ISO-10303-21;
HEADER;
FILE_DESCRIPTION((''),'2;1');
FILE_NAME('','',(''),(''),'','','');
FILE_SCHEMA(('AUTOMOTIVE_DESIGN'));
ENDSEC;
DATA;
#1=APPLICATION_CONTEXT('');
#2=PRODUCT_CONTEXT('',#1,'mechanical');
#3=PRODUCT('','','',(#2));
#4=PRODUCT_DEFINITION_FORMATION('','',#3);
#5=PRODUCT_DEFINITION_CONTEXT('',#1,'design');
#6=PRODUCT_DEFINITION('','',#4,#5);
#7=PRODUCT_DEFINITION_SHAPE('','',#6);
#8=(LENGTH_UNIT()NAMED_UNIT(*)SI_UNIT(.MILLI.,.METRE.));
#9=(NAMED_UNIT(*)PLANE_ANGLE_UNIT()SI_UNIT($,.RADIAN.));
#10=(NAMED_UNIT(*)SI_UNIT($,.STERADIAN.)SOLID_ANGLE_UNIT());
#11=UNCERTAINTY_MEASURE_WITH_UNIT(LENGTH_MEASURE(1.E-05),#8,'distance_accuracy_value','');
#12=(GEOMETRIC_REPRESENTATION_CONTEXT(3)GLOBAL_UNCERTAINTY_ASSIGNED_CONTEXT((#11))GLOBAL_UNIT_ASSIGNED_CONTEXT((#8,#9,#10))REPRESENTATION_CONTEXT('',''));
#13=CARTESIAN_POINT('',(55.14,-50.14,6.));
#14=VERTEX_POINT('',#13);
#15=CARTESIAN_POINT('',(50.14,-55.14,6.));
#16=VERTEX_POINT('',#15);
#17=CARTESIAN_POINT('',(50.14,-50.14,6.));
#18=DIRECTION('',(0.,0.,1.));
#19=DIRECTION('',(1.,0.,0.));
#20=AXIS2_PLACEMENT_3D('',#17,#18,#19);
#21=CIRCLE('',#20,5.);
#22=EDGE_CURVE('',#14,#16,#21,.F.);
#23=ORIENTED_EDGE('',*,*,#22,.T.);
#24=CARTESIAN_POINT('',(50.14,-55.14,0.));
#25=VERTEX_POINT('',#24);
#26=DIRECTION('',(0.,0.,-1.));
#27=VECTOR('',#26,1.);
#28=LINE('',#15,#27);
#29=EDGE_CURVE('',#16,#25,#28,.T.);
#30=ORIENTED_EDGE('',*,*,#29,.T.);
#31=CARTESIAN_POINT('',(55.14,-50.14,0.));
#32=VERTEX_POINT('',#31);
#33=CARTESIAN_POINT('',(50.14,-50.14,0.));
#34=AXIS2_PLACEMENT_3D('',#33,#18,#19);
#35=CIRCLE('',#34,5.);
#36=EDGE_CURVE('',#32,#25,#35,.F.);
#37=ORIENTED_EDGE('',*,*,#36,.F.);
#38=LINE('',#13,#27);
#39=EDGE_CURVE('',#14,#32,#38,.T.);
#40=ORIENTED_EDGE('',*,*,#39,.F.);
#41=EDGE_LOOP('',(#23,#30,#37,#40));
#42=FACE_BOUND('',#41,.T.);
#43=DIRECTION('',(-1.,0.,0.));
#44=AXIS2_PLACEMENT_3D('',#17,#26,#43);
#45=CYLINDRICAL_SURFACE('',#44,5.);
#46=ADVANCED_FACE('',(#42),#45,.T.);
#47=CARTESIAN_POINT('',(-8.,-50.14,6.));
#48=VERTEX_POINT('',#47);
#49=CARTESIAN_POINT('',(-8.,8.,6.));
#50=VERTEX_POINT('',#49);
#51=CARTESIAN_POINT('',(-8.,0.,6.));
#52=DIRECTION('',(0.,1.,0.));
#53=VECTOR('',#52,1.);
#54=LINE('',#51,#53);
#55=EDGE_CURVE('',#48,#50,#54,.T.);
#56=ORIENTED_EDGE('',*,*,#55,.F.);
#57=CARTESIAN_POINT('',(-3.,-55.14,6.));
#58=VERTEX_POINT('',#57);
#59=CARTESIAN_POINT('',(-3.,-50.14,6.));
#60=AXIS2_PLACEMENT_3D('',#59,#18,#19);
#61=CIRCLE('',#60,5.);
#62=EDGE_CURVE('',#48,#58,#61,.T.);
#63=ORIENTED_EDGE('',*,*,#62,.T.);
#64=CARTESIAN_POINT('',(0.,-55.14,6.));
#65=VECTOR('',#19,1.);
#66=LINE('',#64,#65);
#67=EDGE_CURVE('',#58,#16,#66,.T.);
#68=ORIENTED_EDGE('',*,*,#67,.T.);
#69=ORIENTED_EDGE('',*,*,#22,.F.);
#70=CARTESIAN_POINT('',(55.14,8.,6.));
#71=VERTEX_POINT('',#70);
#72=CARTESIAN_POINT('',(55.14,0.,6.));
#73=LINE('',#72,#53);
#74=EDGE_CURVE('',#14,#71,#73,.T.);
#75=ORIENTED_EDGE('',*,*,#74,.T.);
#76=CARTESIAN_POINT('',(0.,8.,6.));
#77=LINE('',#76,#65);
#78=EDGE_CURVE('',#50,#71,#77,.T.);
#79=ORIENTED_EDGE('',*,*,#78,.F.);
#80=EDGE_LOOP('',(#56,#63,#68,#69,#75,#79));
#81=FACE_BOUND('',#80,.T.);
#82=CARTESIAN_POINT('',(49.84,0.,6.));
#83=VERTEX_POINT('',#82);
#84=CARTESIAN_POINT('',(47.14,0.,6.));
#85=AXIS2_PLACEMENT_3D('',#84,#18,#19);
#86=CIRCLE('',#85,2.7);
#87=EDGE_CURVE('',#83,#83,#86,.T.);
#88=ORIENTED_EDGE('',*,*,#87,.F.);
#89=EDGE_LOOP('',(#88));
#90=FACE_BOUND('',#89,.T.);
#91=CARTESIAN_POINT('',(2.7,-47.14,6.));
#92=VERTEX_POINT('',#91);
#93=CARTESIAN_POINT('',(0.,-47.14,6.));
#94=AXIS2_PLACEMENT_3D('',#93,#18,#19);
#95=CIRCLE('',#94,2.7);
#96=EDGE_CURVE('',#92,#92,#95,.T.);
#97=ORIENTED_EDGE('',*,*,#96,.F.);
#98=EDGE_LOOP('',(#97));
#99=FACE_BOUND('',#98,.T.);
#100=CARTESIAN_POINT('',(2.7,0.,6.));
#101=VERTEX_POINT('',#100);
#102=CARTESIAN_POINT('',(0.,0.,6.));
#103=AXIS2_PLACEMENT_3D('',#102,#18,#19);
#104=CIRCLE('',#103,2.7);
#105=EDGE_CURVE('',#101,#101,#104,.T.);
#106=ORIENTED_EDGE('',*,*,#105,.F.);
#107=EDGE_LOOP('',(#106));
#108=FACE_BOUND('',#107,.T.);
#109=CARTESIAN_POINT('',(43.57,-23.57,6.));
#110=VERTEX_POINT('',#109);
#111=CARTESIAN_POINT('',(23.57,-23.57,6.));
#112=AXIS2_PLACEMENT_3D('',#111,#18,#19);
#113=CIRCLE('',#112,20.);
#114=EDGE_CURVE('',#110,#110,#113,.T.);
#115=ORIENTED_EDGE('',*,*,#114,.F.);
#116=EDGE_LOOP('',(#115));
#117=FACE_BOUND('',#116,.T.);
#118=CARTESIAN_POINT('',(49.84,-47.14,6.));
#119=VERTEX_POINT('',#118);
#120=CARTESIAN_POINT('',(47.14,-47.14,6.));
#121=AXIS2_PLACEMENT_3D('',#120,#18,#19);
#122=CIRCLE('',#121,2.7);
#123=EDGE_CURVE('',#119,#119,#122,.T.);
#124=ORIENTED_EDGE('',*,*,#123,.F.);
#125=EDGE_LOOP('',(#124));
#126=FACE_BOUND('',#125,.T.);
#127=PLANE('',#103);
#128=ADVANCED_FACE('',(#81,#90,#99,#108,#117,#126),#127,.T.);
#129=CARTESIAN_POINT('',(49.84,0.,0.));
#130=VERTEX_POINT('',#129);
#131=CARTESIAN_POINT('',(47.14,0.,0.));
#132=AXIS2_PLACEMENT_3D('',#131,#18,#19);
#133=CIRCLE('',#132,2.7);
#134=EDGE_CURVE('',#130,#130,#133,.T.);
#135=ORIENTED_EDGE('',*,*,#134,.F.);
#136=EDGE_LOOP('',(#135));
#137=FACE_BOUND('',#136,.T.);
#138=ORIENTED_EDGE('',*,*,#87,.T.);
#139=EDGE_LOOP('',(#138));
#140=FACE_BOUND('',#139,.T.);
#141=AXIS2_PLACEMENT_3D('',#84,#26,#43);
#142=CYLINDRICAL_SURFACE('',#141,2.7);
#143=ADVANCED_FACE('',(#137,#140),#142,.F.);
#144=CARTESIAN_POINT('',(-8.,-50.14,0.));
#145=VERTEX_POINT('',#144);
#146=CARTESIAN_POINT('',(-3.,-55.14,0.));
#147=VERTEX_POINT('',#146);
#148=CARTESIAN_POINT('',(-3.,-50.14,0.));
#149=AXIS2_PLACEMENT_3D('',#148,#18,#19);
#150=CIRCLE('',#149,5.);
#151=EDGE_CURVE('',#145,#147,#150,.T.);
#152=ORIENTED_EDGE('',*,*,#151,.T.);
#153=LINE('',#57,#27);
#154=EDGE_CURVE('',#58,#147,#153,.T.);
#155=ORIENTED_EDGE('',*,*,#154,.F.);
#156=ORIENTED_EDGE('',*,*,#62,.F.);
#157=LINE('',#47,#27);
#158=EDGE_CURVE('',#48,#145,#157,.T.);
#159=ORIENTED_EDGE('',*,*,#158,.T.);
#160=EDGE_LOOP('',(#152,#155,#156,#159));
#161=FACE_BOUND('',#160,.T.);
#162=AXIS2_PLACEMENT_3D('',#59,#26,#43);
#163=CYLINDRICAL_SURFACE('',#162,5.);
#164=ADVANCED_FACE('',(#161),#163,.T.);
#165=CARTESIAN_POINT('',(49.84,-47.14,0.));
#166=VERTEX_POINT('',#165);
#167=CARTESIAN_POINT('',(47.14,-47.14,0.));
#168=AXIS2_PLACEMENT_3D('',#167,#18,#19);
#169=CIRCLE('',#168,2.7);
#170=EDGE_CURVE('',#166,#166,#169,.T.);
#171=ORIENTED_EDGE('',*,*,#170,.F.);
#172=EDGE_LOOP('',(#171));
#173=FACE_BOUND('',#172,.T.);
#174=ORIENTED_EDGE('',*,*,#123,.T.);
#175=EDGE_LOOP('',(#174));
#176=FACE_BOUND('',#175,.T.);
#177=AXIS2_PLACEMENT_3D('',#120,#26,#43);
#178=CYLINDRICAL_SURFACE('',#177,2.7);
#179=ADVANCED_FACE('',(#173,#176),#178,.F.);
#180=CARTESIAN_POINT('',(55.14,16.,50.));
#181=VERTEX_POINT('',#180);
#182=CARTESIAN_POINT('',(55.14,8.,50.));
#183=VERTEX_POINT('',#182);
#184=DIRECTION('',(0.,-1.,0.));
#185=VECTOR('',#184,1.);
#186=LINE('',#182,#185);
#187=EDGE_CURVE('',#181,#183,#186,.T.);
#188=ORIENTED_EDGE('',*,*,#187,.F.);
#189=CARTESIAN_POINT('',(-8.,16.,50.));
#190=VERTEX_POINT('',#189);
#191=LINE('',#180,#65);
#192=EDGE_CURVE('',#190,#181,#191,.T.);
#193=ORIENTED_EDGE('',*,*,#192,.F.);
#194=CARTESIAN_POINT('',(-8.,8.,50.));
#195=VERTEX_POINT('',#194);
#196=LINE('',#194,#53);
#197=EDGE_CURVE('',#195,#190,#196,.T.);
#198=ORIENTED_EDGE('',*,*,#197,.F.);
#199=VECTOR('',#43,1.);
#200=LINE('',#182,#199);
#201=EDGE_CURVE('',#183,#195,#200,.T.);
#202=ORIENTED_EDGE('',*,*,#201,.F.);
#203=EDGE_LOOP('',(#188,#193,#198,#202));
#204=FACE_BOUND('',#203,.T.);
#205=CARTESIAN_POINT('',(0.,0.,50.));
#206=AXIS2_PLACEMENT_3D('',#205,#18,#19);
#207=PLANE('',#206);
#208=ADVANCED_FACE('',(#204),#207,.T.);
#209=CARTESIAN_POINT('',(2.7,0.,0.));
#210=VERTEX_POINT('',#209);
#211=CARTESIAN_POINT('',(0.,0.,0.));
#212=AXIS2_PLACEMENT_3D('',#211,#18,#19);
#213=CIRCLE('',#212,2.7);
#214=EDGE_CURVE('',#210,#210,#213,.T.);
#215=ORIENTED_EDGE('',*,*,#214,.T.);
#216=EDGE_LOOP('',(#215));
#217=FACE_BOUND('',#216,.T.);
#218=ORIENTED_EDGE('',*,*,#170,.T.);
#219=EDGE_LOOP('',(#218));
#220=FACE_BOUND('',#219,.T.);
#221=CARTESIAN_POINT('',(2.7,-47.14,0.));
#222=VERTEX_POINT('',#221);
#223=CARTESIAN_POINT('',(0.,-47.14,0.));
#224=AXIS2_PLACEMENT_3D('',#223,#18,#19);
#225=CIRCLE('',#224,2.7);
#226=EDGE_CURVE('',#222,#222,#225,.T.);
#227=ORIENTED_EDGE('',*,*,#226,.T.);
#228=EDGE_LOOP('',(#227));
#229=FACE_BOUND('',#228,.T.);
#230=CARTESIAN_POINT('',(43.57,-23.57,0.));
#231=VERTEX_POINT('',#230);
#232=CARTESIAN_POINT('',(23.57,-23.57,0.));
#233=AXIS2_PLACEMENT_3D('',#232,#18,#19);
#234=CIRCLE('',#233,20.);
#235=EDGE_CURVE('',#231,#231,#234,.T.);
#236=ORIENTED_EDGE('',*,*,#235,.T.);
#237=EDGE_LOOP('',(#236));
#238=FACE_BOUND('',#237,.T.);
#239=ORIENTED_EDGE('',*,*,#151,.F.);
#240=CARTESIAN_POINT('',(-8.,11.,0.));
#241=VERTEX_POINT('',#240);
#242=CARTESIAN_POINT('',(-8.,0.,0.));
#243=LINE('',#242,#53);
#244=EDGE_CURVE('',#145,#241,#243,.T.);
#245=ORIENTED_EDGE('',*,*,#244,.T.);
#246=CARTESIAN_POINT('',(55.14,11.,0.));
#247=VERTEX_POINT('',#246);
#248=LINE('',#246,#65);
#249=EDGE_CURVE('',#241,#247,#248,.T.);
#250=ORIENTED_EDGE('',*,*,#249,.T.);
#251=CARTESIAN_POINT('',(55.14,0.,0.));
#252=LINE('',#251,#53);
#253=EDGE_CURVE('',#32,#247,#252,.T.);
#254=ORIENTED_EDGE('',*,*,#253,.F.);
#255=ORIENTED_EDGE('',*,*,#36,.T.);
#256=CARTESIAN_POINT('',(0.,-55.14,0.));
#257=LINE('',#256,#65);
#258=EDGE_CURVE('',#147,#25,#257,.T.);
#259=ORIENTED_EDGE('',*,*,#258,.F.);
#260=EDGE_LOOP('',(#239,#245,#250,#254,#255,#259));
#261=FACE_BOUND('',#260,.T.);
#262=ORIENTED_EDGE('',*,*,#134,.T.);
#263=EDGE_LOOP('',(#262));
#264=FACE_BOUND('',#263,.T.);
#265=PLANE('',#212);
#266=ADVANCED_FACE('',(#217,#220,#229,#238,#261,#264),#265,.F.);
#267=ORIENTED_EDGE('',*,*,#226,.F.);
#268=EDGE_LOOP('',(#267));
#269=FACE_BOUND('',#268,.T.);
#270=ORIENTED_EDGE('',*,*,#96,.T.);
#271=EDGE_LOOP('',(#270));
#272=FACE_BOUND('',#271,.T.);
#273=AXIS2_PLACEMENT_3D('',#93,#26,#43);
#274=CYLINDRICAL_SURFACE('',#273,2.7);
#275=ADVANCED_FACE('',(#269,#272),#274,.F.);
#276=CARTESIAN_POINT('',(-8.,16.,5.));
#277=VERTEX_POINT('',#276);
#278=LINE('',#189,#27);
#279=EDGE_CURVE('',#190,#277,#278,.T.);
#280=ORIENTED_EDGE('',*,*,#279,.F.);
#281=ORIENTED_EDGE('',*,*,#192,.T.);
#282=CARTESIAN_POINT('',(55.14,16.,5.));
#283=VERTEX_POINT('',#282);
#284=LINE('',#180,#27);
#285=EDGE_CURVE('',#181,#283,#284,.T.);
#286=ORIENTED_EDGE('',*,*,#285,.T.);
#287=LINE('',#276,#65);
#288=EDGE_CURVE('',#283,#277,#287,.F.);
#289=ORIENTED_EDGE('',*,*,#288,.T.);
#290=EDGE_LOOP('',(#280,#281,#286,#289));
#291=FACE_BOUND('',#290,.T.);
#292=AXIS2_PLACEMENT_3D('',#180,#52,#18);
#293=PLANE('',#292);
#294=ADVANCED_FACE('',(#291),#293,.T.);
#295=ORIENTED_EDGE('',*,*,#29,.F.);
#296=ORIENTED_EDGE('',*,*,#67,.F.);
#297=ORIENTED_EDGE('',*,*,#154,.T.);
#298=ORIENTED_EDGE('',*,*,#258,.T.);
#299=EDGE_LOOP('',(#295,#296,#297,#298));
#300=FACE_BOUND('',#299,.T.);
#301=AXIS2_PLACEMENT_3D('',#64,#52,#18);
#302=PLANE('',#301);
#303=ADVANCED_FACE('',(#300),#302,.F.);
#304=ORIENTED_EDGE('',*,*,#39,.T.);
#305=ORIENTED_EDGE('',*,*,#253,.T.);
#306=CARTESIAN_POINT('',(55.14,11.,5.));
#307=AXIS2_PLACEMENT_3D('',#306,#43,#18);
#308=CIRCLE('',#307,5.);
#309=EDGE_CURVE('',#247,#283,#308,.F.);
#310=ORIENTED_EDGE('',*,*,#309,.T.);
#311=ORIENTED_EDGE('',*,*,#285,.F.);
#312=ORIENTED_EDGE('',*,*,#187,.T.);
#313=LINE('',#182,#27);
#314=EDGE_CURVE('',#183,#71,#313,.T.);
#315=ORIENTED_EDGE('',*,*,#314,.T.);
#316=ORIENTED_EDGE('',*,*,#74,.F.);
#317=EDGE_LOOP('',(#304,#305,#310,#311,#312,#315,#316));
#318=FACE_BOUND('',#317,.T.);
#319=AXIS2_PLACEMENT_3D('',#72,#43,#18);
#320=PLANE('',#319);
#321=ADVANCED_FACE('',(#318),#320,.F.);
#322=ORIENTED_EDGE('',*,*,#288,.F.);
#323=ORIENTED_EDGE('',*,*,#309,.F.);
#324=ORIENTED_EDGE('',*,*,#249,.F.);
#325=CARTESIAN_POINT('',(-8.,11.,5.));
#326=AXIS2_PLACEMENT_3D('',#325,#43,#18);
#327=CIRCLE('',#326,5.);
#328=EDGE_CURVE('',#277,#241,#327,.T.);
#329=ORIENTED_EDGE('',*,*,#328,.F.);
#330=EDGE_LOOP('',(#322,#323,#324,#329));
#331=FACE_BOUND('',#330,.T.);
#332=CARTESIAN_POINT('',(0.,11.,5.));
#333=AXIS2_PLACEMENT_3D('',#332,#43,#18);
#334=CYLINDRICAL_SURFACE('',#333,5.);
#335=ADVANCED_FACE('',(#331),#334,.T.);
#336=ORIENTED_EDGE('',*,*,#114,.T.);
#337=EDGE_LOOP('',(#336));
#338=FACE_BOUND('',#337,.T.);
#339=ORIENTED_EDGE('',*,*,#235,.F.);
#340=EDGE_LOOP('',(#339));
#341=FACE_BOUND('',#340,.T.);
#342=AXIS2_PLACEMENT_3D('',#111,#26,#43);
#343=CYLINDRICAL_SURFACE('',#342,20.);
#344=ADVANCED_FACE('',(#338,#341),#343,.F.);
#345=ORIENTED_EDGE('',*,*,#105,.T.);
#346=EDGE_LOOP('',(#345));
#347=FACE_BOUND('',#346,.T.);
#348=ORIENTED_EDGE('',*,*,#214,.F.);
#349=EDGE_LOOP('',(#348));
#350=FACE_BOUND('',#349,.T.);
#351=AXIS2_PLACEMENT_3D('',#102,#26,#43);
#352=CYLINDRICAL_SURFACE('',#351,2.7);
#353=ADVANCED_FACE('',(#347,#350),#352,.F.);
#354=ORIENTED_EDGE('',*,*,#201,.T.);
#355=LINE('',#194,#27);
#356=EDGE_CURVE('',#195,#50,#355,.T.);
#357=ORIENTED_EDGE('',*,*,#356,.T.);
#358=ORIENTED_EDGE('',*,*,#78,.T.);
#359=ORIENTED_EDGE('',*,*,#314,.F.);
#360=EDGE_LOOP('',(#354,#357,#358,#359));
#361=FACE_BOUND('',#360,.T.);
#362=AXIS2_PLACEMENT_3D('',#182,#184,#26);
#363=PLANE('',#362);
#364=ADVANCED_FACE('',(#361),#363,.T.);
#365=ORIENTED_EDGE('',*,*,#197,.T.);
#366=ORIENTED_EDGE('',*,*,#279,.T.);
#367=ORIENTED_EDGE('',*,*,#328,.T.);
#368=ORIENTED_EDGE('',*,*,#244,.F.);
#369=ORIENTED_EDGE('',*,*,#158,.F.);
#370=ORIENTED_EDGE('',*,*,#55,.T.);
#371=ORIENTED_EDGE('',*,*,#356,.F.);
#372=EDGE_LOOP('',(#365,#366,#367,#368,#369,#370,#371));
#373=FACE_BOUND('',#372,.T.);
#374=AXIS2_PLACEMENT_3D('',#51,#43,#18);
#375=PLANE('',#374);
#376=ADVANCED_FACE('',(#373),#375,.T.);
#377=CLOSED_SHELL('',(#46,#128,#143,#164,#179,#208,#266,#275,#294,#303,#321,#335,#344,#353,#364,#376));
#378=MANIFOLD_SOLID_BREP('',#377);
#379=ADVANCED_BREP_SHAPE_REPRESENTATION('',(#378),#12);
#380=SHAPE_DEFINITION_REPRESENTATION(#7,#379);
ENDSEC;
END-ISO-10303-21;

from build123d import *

# Parameters (mm, degrees)
CROQUIS1_R              = 2.7
CROQUIS1_R_2            = 20
SALIENTE_EXTRUIR1_DEPTH = 6
CROQUIS2_W              = 63.14
CROQUIS2_H              = 8
SALIENTE_EXTRUIR2_DEPTH = 50
REDONDEO1_R             = 5


with BuildPart() as part:
    # Croquis1 → Saliente-Extruir1 (new body)
    with BuildSketch(Plane.XY):
        with BuildLine():
            Line((-8, -50.14), (-8, 8))
            Line((-8, 8), (55.14, 8))
            Line((55.14, 8), (55.14, -50.14))
            ThreePointArc((55.14, -50.14), (53.675533906, -53.675533906), (50.14, -55.14))
            Line((50.14, -55.14), (-3, -55.14))
            ThreePointArc((-3, -55.14), (-6.535533906, -53.675533906), (-8, -50.14))
        make_face()
        Circle(CROQUIS1_R, mode=Mode.SUBTRACT)
        with Locations((47.14, 0)):
            Circle(CROQUIS1_R, mode=Mode.SUBTRACT)
        with Locations((47.14, -47.14)):
            Circle(CROQUIS1_R, mode=Mode.SUBTRACT)
        with Locations((0, -47.14)):
            Circle(CROQUIS1_R, mode=Mode.SUBTRACT)
        with Locations((23.57, -23.57)):
            Circle(CROQUIS1_R_2, mode=Mode.SUBTRACT)
    extrude(amount=SALIENTE_EXTRUIR1_DEPTH)

    # Croquis2 → Saliente-Extruir2 (add)
    with BuildSketch(Plane(origin=(0, 0, 0), x_dir=(-1, 0, 0), z_dir=(0, 0, -1))):
        with Locations((-23.57, 12)):
            Rectangle(CROQUIS2_W, CROQUIS2_H)
    extrude(amount=-SALIENTE_EXTRUIR2_DEPTH)

    # Redondeo1
    redondeo1_edges = [part.edges().sort_by_distance(p)[0] for p in [
        (23.57, 16, 0),
    ]]
    fillet(redondeo1_edges, radius=REDONDEO1_R)


solid = part.part
